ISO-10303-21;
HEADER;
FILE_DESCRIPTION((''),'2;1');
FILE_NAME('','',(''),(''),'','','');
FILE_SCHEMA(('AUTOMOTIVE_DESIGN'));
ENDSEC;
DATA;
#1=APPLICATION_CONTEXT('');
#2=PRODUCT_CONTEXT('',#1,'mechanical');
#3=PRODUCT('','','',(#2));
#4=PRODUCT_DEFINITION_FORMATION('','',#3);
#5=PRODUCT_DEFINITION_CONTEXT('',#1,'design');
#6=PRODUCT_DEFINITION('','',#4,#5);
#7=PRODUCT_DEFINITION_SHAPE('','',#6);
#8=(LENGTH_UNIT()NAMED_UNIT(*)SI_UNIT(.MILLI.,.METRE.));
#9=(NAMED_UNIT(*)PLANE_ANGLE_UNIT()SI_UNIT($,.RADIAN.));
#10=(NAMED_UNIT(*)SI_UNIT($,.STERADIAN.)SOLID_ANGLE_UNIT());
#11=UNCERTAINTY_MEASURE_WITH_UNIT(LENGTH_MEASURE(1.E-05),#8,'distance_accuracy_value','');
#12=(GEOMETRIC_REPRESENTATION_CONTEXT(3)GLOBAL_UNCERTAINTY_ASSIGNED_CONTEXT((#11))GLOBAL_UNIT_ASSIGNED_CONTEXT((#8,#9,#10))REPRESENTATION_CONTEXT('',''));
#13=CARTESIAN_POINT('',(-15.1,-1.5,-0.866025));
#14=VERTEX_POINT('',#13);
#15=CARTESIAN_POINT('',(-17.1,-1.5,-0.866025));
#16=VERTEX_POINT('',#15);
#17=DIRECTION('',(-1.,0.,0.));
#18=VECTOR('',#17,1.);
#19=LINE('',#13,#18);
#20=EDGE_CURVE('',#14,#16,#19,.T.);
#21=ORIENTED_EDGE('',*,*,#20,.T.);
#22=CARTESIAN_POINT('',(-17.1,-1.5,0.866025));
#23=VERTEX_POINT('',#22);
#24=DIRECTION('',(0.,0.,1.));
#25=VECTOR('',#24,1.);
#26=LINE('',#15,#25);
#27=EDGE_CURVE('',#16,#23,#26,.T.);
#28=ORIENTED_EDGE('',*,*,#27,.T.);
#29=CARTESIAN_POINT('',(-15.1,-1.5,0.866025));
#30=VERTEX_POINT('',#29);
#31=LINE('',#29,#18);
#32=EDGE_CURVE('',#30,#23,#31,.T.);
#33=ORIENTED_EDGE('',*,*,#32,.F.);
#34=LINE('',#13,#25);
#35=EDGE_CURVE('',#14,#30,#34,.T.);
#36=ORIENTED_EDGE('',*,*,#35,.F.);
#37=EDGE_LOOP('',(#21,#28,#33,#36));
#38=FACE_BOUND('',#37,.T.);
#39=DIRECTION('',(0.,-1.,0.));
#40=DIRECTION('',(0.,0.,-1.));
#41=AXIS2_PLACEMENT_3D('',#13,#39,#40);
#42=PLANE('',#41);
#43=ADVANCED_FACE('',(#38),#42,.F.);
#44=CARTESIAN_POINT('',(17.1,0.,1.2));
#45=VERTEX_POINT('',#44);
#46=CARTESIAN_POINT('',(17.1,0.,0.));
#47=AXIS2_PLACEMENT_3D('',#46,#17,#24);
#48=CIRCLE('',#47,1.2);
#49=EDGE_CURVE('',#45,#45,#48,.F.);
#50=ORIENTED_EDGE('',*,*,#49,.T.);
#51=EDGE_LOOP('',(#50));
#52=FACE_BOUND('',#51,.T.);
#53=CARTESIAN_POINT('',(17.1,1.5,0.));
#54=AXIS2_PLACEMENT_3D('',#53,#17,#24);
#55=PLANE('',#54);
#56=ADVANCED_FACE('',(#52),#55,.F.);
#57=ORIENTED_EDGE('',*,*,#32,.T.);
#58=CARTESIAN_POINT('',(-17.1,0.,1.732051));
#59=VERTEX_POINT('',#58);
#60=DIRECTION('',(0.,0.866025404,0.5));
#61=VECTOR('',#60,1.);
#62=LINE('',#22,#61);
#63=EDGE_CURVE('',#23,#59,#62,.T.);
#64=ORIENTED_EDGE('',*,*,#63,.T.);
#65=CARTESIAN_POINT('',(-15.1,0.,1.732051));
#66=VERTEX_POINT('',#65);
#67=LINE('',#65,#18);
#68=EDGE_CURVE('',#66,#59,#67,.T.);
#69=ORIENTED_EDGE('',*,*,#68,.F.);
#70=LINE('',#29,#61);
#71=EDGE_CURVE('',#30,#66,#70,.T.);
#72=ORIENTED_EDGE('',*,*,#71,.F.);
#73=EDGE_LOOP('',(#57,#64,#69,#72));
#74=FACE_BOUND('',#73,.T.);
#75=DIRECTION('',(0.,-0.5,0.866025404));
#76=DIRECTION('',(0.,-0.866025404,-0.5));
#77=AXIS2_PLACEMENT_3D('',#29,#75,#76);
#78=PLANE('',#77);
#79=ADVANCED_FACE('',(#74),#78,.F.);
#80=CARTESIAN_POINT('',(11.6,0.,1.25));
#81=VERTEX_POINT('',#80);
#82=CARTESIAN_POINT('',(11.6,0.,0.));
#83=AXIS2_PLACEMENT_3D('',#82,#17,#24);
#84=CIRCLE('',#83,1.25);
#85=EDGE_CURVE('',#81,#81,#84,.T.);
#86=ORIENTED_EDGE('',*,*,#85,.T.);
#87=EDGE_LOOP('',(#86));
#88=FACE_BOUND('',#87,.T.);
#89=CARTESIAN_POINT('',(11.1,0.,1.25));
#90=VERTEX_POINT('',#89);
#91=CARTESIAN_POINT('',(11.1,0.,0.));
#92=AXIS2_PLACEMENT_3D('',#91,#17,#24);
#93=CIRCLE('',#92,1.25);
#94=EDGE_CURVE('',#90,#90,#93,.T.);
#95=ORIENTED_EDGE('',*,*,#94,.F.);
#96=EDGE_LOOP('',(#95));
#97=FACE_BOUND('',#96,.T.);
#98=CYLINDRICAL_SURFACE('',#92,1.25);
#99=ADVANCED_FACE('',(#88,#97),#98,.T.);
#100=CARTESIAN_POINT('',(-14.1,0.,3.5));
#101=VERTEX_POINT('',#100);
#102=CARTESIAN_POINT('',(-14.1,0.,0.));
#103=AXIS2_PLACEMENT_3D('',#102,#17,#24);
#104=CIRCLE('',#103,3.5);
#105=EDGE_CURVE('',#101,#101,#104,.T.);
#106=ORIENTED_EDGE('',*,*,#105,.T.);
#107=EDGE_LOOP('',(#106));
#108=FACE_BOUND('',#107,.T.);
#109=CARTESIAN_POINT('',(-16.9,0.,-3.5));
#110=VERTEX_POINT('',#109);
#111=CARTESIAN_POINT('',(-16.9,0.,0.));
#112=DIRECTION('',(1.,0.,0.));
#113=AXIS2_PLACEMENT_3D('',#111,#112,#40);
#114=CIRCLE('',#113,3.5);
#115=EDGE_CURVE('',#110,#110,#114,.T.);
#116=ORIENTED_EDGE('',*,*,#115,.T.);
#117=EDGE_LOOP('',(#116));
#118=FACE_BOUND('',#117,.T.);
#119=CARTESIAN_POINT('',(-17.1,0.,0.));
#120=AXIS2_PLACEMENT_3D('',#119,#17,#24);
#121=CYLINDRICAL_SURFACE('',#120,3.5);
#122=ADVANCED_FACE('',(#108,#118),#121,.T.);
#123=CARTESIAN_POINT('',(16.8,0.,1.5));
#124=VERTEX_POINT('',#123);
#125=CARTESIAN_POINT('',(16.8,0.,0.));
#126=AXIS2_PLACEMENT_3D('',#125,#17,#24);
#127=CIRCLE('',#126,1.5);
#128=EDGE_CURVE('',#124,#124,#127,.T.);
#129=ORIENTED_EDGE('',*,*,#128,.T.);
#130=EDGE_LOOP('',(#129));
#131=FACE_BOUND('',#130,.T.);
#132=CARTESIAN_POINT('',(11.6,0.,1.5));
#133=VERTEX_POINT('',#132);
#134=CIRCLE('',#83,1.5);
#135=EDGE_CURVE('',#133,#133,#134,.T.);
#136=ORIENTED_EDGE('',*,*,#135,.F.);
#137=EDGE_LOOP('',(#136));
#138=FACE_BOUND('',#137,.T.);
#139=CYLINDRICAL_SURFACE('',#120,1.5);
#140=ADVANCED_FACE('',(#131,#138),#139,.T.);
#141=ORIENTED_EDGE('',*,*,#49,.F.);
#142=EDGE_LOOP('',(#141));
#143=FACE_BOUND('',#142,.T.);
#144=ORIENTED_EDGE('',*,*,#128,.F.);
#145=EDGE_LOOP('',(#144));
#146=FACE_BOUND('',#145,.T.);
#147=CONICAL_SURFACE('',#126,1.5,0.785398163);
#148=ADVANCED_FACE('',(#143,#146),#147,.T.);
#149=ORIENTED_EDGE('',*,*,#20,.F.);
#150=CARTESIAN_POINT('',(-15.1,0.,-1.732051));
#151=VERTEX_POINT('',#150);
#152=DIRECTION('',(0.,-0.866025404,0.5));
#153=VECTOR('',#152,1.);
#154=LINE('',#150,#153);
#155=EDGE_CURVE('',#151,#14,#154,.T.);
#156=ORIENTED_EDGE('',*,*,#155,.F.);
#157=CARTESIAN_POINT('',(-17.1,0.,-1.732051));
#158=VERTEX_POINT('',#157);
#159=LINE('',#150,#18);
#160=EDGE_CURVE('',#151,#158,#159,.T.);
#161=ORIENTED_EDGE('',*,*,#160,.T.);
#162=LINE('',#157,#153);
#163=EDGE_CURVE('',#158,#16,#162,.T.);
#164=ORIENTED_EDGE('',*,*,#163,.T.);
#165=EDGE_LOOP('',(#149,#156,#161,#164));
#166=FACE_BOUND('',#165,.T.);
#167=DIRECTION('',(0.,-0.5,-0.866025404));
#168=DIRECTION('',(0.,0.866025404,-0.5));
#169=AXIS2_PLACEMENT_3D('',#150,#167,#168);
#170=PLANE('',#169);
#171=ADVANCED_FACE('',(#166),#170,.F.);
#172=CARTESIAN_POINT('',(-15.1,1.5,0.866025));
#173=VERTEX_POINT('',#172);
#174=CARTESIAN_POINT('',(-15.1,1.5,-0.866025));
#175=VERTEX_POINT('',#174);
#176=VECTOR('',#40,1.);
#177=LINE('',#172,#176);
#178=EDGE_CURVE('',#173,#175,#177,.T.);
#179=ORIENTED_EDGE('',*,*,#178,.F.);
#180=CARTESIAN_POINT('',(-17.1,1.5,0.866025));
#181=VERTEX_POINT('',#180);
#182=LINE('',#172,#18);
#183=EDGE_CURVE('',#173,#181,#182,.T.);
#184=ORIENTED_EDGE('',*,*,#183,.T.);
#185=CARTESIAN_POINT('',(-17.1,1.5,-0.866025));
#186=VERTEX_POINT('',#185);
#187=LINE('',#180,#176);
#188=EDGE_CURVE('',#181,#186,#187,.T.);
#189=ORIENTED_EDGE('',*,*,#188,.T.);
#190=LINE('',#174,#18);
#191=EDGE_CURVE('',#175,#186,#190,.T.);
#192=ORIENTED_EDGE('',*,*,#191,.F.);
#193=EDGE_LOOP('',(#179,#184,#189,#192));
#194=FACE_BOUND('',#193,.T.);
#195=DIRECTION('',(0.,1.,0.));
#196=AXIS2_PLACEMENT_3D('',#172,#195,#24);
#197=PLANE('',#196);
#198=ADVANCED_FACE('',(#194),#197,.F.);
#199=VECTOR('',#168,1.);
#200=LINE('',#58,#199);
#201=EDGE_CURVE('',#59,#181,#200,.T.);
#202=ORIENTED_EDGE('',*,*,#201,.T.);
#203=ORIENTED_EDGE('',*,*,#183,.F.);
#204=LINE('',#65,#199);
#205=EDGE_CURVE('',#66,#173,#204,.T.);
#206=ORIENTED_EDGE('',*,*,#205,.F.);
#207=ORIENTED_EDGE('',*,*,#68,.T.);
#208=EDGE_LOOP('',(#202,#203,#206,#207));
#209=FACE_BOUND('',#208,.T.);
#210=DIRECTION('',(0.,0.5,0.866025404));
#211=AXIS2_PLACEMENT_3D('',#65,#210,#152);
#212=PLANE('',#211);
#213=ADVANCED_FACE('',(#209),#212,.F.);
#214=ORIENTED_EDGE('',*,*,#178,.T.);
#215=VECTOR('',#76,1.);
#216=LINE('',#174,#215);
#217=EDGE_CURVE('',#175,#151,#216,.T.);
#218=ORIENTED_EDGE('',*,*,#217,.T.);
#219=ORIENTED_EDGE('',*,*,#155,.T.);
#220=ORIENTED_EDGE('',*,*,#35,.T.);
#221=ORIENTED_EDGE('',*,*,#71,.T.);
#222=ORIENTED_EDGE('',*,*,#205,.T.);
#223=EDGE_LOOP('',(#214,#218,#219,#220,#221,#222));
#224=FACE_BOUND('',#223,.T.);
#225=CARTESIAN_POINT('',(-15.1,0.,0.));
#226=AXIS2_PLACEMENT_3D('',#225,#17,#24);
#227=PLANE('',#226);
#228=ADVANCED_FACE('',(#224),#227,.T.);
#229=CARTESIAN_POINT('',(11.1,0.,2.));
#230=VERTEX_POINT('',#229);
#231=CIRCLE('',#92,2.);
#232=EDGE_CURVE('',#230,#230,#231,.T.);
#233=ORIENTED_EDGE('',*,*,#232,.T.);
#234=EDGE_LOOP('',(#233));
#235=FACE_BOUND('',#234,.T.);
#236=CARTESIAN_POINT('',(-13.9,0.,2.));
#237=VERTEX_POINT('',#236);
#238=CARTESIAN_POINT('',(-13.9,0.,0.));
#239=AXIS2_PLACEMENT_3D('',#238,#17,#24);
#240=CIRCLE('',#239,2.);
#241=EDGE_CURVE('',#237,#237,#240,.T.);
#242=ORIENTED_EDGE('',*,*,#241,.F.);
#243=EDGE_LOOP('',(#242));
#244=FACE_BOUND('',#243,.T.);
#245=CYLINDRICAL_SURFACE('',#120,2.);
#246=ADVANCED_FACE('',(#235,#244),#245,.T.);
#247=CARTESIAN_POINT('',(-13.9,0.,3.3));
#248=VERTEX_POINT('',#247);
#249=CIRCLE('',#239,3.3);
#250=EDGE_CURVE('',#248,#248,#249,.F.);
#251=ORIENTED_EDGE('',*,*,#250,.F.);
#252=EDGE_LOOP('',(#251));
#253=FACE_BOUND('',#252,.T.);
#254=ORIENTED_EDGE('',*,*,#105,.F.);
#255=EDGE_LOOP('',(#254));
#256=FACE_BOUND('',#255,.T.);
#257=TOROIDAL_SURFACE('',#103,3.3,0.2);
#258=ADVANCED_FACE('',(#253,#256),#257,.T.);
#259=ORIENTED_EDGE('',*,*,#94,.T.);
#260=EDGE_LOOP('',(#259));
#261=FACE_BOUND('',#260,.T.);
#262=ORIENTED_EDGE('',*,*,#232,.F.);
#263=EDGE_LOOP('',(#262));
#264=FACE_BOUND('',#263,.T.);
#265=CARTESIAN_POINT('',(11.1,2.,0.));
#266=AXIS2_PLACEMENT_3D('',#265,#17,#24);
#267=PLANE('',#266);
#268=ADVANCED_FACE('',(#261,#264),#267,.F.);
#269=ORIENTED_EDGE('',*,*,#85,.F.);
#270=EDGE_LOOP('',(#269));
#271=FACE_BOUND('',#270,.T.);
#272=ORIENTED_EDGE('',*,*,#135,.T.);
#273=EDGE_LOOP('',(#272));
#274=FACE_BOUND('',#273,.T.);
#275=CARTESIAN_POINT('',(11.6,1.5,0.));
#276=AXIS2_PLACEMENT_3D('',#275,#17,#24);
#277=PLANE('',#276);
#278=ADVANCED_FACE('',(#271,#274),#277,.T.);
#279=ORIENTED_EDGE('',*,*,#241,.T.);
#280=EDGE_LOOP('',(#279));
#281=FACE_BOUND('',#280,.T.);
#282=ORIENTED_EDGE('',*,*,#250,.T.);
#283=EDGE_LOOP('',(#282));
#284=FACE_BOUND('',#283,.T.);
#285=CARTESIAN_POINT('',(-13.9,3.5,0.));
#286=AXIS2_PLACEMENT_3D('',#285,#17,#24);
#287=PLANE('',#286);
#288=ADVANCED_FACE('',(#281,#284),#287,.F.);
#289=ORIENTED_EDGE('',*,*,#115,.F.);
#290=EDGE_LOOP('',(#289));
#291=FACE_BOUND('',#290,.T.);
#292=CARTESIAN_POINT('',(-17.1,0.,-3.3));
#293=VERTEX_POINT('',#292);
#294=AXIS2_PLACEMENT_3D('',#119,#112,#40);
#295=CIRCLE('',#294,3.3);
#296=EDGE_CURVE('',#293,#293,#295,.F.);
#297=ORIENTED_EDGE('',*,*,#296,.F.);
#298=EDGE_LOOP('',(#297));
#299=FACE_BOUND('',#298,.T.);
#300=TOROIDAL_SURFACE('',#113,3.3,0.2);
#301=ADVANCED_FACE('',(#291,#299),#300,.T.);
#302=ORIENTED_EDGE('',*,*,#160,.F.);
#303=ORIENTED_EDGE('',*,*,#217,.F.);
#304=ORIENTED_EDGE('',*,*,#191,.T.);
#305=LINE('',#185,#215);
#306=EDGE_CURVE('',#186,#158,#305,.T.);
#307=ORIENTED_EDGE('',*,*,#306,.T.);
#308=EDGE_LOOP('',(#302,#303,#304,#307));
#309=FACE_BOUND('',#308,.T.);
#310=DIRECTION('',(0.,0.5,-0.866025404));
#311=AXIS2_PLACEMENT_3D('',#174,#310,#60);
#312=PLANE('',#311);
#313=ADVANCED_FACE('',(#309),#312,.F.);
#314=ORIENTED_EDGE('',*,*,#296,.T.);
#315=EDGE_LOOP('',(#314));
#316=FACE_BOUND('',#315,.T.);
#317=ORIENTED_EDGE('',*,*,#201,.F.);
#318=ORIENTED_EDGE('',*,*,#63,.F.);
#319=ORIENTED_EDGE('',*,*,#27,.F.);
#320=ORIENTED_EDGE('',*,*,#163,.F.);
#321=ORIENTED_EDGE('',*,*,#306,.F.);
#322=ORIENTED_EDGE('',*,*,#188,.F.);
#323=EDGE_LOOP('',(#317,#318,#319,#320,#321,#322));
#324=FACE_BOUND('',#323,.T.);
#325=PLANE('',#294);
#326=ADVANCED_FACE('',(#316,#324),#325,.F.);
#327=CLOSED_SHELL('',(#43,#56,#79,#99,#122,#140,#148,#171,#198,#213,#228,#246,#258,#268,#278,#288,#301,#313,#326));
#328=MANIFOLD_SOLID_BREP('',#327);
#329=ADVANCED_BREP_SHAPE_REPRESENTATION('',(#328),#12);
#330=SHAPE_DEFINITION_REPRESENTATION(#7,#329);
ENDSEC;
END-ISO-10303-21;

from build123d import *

# Parameters (mm, degrees)
FILLET_1_R          = 0.2
CHAMFER_1_SIZE      = 0.3
SKETCH_3_W          = 0.5
SKETCH_3_H          = 0.25
CUT_EXTRUDE_1_DEPTH = 2


with BuildPart() as part:
    # 草图1 → 旋转1 (revolve)
    with BuildSketch(Plane.XY, mode=Mode.PRIVATE) as revolve_1_sk:
        Polygon((-17.1, 0), (-17.1, 3.5), (-13.9, 3.5), (-13.9, 2), (11.1, 2), (11.1, 1.5), (17.1, 1.5), (17.1, 0), align=None)
    revolve(revolve_1_sk.sketch.rotate(Axis((-17.1, 0, 0), (1, 0, 0)), 90), axis=Axis((-17.1, 0, 0), (1, 0, 0)))

    # 圆角1
    fillet_1_edges = [part.edges().sort_by_distance(p)[0] for p in [
        (-13.9, 0, -3.5),
        (-17.1, 0, -3.5),
    ]]
    fillet(fillet_1_edges, radius=FILLET_1_R)

    # 倒角1
    chamfer_1_edges = [part.edges().sort_by_distance(p)[0] for p in [
        (17.1, 0, -1.5),
    ]]
    chamfer(chamfer_1_edges, length=CHAMFER_1_SIZE)

    # 草图3 → 切除-旋转1 (revolve, cut)
    with BuildSketch(Plane.XY, mode=Mode.PRIVATE) as cut_revolve_1_sk:
        with Locations((11.35, 1.375)):
            Rectangle(SKETCH_3_W, SKETCH_3_H)
    revolve(cut_revolve_1_sk.sketch.rotate(Axis((11.1, 0, 0), (1, 0, 0)), 90), axis=Axis((11.1, 0, 0), (1, 0, 0)), mode=Mode.SUBTRACT)

    # 草图4 → 切除-拉伸1 (cut)
    with BuildSketch(Plane.ZY.offset(17.1)):
        Polygon((1.732050808, 0), (0.866025404, 1.5), (-0.866025404, 1.5), (-1.732050808, 0), (-0.866025404, -1.5), (0.866025404, -1.5), align=None)
    extrude(amount=-CUT_EXTRUDE_1_DEPTH, mode=Mode.SUBTRACT)


solid = part.part
